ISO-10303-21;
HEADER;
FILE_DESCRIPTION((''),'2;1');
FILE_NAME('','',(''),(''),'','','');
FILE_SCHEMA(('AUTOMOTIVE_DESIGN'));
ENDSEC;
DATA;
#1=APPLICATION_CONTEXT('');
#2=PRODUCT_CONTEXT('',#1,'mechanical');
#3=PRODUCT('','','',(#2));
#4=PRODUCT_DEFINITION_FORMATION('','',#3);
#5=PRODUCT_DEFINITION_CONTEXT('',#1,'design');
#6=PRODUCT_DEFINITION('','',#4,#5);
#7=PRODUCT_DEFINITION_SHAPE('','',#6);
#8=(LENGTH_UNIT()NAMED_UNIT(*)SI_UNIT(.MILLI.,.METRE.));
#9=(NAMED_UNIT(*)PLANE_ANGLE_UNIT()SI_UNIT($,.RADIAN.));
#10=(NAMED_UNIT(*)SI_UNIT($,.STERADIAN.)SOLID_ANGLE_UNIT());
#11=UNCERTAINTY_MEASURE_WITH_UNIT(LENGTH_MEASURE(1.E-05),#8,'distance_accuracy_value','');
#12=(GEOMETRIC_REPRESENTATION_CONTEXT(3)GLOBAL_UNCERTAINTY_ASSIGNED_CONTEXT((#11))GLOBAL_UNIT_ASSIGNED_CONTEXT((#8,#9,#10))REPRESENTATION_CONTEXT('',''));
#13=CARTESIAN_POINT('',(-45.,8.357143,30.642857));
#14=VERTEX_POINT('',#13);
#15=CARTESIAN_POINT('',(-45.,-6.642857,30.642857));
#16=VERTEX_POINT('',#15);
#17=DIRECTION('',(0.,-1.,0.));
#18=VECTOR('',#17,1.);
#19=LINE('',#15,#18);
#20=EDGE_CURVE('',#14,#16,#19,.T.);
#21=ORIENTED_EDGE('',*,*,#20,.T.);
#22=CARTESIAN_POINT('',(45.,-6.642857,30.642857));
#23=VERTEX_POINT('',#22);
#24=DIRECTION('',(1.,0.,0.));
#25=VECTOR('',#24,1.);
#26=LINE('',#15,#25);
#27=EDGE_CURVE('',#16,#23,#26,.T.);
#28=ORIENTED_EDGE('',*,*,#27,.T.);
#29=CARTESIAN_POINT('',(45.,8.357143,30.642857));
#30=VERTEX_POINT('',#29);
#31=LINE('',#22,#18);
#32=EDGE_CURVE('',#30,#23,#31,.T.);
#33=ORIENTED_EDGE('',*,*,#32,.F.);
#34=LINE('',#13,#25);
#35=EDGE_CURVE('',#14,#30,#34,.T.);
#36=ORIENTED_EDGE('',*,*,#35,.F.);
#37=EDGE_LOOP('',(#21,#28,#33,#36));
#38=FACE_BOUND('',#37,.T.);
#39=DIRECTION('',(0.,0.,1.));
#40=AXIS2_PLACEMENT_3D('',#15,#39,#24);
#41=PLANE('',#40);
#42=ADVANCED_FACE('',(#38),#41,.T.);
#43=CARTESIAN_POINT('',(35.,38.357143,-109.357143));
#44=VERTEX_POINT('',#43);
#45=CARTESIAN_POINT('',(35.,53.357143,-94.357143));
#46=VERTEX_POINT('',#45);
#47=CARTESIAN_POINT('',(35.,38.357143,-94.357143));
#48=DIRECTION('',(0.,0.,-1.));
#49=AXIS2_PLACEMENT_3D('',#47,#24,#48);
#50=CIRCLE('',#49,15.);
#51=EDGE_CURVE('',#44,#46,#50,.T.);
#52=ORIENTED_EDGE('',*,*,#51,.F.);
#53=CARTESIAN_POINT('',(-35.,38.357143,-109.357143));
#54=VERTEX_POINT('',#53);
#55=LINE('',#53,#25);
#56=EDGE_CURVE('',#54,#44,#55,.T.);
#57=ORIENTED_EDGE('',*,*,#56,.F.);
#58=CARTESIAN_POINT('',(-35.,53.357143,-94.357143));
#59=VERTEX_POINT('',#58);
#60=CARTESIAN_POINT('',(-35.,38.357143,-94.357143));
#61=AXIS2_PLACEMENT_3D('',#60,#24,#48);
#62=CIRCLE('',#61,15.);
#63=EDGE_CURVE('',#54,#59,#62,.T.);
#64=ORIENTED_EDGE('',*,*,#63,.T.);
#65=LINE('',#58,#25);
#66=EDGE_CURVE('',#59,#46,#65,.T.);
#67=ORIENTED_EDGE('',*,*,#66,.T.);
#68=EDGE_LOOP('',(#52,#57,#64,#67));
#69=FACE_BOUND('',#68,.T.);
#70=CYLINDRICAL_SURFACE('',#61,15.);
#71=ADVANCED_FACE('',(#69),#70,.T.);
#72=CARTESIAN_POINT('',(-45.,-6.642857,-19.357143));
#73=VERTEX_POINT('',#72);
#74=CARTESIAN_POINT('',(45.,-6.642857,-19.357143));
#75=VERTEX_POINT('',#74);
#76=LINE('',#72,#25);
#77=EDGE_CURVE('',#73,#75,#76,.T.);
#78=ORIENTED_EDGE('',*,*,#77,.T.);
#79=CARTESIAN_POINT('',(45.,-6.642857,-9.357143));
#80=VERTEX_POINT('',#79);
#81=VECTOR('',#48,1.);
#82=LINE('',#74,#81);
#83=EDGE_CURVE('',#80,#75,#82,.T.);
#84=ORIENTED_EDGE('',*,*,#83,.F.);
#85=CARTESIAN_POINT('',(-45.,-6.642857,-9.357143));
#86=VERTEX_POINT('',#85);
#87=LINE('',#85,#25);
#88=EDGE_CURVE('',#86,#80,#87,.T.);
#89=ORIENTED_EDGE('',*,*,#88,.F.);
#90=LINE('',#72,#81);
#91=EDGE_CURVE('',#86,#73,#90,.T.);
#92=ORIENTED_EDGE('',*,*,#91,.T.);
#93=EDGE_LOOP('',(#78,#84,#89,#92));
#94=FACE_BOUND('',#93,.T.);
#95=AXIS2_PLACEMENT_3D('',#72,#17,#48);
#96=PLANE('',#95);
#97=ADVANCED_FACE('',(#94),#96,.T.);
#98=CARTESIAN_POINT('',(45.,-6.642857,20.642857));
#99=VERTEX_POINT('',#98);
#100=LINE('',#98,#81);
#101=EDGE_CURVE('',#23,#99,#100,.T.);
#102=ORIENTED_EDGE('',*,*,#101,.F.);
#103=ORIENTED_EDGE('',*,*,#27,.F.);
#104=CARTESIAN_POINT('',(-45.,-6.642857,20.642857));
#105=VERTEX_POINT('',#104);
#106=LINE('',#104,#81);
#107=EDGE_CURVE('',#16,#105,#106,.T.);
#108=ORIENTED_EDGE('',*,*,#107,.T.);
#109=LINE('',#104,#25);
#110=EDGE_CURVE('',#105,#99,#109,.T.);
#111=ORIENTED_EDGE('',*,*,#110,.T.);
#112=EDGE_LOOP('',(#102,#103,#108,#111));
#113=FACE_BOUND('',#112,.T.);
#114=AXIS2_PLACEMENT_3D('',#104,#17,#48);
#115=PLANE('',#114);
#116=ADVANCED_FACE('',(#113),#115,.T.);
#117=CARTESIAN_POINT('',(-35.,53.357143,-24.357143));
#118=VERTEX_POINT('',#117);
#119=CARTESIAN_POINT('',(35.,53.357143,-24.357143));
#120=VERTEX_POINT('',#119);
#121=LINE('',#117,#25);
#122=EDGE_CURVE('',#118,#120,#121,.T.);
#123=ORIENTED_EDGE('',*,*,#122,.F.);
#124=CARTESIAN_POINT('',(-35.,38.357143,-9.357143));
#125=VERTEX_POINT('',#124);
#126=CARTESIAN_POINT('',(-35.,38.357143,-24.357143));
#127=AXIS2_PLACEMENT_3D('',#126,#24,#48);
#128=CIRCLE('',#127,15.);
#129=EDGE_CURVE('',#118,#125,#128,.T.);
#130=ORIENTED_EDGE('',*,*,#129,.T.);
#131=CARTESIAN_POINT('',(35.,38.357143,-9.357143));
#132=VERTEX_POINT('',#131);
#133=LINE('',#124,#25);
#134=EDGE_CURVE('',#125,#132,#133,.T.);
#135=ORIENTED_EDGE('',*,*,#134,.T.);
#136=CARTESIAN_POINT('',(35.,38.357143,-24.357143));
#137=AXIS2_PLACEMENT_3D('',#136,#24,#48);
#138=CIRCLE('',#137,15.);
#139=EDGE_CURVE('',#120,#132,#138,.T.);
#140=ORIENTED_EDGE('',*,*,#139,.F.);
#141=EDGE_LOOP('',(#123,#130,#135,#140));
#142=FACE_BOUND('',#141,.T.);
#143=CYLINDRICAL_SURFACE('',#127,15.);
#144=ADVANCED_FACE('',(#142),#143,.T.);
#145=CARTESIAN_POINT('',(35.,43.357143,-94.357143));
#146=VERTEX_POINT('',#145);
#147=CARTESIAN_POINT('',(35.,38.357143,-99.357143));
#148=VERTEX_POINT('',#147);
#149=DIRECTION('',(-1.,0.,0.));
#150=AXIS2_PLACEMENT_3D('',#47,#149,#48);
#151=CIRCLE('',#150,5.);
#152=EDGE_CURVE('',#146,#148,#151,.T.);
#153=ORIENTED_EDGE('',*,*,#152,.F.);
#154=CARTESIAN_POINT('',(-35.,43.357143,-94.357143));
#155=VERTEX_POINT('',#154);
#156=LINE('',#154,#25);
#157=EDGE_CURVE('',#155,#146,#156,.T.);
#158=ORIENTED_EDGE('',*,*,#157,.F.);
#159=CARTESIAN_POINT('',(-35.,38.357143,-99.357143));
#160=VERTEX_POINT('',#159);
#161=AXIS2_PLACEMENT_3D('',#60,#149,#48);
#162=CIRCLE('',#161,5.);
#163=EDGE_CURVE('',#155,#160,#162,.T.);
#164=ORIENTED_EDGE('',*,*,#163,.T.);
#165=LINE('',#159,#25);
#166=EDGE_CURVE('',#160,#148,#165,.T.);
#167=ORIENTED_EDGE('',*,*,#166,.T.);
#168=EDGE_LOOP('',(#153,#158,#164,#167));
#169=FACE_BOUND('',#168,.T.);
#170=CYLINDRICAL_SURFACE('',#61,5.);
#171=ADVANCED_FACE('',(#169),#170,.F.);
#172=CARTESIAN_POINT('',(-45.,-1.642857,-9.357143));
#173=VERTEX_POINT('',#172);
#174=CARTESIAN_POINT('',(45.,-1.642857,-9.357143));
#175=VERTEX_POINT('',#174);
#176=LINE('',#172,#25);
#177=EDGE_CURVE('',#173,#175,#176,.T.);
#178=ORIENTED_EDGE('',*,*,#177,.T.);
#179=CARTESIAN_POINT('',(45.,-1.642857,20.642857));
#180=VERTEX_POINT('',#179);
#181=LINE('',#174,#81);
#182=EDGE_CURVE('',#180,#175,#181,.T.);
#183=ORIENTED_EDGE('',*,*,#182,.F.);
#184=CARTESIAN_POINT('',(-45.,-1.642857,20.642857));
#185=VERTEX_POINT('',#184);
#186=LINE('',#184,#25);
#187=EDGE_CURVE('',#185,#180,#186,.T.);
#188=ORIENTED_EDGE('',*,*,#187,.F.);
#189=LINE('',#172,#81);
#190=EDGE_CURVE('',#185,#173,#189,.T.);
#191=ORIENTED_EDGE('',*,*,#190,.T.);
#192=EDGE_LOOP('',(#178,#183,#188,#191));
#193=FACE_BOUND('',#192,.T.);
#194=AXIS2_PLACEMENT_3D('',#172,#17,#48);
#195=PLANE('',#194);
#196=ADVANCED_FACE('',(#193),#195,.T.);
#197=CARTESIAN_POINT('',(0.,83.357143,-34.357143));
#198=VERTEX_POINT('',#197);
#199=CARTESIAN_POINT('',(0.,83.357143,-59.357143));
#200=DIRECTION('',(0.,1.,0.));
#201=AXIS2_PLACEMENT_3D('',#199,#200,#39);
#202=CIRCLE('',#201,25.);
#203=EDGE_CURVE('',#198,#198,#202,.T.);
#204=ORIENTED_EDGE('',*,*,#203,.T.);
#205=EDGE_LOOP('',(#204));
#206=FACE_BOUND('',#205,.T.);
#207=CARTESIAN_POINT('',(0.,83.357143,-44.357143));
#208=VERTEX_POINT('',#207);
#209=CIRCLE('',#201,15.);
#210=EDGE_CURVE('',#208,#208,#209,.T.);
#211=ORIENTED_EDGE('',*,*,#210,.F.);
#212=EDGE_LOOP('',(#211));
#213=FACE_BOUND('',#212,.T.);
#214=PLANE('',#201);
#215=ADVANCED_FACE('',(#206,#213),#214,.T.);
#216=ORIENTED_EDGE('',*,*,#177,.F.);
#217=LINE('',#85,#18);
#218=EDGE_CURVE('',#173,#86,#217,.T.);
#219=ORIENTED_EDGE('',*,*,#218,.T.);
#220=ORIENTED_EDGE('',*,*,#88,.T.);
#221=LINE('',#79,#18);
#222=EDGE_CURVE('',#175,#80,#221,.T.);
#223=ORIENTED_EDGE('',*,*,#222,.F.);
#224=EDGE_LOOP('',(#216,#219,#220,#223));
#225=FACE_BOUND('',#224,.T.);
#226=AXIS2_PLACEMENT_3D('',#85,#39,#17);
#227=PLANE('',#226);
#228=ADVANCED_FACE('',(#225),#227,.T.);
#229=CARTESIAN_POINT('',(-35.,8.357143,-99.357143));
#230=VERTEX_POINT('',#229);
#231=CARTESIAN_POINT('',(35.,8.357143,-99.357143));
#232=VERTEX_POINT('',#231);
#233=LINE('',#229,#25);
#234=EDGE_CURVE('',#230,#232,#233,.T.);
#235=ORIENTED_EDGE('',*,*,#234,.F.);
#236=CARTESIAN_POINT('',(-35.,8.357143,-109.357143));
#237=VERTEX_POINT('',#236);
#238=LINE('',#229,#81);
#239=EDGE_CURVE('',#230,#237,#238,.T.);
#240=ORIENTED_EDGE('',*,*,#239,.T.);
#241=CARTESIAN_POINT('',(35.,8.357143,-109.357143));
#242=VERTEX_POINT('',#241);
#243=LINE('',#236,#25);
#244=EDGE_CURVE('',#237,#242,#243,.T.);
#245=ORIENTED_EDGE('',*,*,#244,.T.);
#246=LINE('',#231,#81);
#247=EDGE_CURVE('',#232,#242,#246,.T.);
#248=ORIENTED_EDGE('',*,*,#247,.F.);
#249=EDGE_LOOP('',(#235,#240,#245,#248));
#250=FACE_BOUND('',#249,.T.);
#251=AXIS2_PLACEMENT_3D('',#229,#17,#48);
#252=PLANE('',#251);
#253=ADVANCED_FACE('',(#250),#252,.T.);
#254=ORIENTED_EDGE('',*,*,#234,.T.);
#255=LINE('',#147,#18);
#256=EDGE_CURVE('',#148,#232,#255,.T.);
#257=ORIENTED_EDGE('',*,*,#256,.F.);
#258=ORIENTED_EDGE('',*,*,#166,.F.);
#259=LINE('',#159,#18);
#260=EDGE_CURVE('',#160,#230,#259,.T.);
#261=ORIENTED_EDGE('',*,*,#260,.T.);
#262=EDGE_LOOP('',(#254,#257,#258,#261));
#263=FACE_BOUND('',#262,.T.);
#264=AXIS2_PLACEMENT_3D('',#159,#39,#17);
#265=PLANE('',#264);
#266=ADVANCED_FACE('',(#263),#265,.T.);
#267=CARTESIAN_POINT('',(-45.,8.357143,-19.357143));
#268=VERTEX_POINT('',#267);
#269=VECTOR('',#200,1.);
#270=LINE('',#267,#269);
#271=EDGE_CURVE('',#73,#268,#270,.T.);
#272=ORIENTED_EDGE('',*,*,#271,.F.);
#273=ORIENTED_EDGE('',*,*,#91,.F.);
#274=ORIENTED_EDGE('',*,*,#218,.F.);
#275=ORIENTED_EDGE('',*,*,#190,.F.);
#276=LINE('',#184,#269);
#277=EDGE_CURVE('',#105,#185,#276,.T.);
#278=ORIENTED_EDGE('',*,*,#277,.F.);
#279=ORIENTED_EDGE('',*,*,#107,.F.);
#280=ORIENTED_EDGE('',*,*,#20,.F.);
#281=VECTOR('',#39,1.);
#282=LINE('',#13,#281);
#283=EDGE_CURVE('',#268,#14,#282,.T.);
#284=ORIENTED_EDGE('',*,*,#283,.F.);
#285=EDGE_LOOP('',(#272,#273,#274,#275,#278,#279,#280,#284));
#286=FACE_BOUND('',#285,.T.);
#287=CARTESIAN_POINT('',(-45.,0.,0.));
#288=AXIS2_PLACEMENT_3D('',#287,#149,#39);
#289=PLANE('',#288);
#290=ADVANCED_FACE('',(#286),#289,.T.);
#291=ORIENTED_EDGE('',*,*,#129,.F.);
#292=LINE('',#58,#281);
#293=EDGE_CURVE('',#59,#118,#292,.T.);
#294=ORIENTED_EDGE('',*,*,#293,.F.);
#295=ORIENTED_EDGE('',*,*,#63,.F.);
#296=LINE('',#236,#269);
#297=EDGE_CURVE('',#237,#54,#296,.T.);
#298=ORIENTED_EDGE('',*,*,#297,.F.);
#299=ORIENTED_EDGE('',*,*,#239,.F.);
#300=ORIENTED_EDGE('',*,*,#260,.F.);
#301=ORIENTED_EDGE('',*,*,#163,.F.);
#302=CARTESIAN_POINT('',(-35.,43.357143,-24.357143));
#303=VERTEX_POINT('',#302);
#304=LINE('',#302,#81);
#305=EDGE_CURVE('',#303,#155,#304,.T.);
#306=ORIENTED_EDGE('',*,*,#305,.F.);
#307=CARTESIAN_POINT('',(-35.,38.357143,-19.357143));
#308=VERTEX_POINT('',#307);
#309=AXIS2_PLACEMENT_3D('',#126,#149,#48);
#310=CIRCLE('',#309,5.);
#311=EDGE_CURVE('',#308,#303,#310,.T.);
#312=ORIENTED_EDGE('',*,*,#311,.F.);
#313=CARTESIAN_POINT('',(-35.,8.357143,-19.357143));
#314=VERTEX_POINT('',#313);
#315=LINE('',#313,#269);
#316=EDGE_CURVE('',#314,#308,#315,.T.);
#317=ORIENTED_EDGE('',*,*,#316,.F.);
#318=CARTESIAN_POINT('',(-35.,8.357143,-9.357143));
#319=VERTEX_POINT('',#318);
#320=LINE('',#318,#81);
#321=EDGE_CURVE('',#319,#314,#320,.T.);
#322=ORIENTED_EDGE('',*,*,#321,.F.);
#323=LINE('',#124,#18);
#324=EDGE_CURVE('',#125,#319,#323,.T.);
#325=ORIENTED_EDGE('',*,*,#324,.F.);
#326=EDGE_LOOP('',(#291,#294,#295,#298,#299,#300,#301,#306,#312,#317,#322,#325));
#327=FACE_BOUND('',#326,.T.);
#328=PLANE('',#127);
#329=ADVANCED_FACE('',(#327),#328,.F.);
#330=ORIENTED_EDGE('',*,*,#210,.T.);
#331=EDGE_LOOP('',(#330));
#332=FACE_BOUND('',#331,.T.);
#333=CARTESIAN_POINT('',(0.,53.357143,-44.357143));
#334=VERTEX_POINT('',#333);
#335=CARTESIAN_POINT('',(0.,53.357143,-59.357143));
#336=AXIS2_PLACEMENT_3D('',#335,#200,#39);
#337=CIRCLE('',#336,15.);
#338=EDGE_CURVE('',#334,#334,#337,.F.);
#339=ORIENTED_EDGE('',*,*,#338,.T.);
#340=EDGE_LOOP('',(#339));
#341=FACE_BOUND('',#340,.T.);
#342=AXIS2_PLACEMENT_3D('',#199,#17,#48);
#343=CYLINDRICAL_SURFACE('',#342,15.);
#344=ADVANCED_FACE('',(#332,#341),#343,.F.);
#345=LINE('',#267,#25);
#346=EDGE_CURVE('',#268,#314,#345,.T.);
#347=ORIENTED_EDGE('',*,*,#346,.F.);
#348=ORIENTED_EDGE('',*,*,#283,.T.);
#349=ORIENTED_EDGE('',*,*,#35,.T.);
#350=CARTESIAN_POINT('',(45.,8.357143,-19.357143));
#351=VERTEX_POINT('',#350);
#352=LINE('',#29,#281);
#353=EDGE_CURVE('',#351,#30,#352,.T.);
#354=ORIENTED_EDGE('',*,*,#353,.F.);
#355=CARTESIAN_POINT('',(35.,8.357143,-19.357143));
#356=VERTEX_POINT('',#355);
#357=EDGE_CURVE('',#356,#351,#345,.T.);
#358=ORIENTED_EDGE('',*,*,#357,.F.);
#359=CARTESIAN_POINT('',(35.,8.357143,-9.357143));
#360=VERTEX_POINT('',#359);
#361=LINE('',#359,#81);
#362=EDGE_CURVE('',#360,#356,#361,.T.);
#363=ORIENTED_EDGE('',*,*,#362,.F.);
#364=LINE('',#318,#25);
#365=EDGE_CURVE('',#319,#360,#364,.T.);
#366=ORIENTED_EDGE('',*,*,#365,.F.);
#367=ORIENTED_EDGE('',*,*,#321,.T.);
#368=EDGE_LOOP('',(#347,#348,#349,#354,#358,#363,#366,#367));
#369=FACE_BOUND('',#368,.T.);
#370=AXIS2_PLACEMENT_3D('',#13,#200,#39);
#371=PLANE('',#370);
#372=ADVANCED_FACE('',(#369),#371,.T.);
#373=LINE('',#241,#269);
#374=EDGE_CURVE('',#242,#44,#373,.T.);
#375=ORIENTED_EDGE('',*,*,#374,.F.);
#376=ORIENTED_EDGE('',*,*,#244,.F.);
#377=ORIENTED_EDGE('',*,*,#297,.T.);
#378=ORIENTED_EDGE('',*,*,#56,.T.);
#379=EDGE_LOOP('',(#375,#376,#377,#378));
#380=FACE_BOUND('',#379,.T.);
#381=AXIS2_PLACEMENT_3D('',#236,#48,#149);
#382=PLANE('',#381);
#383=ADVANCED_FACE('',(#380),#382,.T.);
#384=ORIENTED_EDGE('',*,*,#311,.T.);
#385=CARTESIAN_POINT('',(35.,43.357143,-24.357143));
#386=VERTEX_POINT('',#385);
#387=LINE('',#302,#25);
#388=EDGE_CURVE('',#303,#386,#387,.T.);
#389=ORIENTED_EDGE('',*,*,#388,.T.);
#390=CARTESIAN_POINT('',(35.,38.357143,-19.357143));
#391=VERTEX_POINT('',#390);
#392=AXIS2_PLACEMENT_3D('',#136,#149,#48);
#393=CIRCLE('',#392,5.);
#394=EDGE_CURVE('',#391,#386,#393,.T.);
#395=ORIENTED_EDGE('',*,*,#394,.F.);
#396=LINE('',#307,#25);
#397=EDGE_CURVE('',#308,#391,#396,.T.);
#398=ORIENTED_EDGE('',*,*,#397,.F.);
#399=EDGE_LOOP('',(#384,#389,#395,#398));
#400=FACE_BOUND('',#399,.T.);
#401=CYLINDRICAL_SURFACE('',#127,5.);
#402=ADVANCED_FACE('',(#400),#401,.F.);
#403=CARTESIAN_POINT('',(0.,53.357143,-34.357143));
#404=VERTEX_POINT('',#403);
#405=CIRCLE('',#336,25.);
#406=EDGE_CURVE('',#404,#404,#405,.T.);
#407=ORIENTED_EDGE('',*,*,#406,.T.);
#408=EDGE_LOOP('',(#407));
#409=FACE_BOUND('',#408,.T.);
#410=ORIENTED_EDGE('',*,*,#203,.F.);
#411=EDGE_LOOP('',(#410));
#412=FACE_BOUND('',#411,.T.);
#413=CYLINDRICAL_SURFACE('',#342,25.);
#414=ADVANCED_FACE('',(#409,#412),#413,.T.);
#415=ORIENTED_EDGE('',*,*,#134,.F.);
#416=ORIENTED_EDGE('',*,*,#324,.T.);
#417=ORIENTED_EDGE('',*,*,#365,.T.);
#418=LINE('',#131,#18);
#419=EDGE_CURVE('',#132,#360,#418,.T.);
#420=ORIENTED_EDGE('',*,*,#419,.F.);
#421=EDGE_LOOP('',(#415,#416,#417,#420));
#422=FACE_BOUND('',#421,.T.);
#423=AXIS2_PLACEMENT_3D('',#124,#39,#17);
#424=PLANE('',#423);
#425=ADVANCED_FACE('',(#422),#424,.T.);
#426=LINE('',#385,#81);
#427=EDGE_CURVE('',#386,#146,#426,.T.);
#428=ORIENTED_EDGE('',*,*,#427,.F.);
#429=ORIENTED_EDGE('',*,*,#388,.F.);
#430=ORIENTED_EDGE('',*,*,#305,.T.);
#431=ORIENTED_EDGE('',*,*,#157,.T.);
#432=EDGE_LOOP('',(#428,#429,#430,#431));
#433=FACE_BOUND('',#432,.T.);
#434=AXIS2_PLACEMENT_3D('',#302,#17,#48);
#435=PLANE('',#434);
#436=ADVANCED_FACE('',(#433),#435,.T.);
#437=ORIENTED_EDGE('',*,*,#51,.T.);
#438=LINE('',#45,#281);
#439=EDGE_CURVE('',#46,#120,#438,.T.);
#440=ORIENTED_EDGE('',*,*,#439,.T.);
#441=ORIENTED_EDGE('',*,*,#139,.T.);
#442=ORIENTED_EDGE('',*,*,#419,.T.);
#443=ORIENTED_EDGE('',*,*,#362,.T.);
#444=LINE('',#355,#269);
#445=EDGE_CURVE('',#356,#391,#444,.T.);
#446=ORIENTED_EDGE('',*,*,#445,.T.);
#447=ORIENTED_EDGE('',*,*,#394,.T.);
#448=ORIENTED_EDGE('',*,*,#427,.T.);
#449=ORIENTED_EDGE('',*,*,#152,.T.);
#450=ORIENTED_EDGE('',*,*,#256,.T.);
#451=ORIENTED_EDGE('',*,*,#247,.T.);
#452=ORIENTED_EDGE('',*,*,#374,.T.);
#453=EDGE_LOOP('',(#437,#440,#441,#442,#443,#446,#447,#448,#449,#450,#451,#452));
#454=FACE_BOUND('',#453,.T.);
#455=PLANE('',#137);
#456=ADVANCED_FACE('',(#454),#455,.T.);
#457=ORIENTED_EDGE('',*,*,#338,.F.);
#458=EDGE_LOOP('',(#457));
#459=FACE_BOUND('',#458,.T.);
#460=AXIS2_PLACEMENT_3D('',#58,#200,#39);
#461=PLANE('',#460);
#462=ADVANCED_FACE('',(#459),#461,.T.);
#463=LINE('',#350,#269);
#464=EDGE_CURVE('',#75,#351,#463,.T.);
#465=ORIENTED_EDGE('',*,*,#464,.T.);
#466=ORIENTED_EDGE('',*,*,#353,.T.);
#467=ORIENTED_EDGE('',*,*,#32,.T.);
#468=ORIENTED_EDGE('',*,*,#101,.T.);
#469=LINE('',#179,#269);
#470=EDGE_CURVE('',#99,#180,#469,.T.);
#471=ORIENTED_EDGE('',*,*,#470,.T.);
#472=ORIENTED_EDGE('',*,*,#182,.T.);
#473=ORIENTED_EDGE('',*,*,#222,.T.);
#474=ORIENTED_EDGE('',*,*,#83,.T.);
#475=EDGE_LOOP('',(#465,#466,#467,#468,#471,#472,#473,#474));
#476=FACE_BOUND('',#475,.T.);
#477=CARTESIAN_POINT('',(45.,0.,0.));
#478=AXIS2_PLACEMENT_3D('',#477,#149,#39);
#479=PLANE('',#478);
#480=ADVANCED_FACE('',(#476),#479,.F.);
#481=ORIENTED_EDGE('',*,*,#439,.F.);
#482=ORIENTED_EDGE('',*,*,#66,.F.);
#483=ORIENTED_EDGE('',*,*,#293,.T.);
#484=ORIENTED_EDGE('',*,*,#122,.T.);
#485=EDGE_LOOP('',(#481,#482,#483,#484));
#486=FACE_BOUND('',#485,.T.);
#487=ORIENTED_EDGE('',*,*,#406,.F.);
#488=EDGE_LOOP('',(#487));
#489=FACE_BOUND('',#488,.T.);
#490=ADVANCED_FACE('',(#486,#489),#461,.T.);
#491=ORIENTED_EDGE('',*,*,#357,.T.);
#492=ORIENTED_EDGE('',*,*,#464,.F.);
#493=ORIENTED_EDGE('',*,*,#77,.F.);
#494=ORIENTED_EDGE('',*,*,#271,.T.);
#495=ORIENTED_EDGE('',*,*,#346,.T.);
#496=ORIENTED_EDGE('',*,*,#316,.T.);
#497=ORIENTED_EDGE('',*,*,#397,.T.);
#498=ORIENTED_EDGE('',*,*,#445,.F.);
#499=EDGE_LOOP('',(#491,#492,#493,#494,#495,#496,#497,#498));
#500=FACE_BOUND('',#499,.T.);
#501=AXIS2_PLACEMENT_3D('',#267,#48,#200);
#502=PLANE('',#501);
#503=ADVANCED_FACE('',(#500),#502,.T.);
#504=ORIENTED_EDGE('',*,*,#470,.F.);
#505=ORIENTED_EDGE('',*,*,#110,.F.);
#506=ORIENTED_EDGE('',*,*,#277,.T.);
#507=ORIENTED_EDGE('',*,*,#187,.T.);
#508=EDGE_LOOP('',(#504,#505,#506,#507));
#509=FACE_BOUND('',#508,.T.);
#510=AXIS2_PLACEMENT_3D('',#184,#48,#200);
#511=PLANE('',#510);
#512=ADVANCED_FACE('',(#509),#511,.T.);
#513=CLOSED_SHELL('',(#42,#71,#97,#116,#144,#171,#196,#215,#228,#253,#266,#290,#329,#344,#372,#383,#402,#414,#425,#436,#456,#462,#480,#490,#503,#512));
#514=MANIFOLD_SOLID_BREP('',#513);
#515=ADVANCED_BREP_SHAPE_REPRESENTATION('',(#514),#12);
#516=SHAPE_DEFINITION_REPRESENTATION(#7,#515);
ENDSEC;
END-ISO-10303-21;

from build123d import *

# Parameters (mm, degrees)
BOSS_EXTRUDE1_DEPTH = 45
BOSS_EXTRUDE2_START = -10
BOSS_EXTRUDE2_DEPTH = 70
SKETCH3_R           = 25
SKETCH3_R_2         = 15
BOSS_EXTRUDE3_DEPTH = 30


with BuildPart() as part:
    # Sketch1 → Boss-Extrude1 (new, symmetric)
    with BuildSketch(Plane(origin=(0, 0, 0), x_dir=(0, 0, -1), z_dir=(1, 0, 0))):
        Polygon((-20.642857143, -6.642857143), (-30.642857143, -6.642857143), (-30.642857143, 8.357142857), (19.357142857, 8.357142857), (19.357142857, -6.642857143), (9.357142857, -6.642857143), (9.357142857, -1.642857143), (-20.642857143, -1.642857143), align=None)
    extrude(amount=BOSS_EXTRUDE1_DEPTH, both=True)

    # Sketch2 → Boss-Extrude2 (add)
    with BuildSketch(Plane(origin=(45, 0, 0), x_dir=(0, 0, -1), z_dir=(1, 0, 0)).offset(BOSS_EXTRUDE2_START)):
        with BuildLine():
            Line((19.357142857, 8.357142857), (19.357142857, 38.357142857))
            ThreePointArc((19.357142857, 38.357142857), (20.821608951, 41.892676763), (24.357142857, 43.357142857))
            Line((24.357142857, 43.357142857), (94.357142857, 43.357142857))
            ThreePointArc((94.357142857, 43.357142857), (97.892676763, 41.892676763), (99.357142857, 38.357142857))
            Line((99.357142857, 38.357142857), (99.357142857, 8.357142857))
            Line((99.357142857, 8.357142857), (109.357142857, 8.357142857))
            Line((109.357142857, 8.357142857), (109.357142857, 38.357142857))
            ThreePointArc((109.357142857, 38.357142857), (104.963744575, 48.963744575), (94.357142857, 53.357142857))
            Line((94.357142857, 53.357142857), (24.357142857, 53.357142857))
            ThreePointArc((24.357142857, 53.357142857), (13.750541139, 48.963744575), (9.357142857, 38.357142857))
            Line((9.357142857, 38.357142857), (9.357142857, 8.357142857))
            Line((9.357142857, 8.357142857), (19.357142857, 8.357142857))
        make_face()
    extrude(amount=-BOSS_EXTRUDE2_DEPTH)

    # Sketch3 → Boss-Extrude3 (add)
    with BuildSketch(Plane(origin=(0, 53.357142857, 0), x_dir=(1, 0, 0), z_dir=(0, 1, 0))):
        with Locations(Location((0, 59.357142857, 0), (0, 0, 270))):
            Circle(SKETCH3_R)
        with Locations(Location((0, 59.357142857, 0), (0, 0, 270))):
            Circle(SKETCH3_R_2, mode=Mode.SUBTRACT)
    extrude(amount=BOSS_EXTRUDE3_DEPTH)


solid = part.part
